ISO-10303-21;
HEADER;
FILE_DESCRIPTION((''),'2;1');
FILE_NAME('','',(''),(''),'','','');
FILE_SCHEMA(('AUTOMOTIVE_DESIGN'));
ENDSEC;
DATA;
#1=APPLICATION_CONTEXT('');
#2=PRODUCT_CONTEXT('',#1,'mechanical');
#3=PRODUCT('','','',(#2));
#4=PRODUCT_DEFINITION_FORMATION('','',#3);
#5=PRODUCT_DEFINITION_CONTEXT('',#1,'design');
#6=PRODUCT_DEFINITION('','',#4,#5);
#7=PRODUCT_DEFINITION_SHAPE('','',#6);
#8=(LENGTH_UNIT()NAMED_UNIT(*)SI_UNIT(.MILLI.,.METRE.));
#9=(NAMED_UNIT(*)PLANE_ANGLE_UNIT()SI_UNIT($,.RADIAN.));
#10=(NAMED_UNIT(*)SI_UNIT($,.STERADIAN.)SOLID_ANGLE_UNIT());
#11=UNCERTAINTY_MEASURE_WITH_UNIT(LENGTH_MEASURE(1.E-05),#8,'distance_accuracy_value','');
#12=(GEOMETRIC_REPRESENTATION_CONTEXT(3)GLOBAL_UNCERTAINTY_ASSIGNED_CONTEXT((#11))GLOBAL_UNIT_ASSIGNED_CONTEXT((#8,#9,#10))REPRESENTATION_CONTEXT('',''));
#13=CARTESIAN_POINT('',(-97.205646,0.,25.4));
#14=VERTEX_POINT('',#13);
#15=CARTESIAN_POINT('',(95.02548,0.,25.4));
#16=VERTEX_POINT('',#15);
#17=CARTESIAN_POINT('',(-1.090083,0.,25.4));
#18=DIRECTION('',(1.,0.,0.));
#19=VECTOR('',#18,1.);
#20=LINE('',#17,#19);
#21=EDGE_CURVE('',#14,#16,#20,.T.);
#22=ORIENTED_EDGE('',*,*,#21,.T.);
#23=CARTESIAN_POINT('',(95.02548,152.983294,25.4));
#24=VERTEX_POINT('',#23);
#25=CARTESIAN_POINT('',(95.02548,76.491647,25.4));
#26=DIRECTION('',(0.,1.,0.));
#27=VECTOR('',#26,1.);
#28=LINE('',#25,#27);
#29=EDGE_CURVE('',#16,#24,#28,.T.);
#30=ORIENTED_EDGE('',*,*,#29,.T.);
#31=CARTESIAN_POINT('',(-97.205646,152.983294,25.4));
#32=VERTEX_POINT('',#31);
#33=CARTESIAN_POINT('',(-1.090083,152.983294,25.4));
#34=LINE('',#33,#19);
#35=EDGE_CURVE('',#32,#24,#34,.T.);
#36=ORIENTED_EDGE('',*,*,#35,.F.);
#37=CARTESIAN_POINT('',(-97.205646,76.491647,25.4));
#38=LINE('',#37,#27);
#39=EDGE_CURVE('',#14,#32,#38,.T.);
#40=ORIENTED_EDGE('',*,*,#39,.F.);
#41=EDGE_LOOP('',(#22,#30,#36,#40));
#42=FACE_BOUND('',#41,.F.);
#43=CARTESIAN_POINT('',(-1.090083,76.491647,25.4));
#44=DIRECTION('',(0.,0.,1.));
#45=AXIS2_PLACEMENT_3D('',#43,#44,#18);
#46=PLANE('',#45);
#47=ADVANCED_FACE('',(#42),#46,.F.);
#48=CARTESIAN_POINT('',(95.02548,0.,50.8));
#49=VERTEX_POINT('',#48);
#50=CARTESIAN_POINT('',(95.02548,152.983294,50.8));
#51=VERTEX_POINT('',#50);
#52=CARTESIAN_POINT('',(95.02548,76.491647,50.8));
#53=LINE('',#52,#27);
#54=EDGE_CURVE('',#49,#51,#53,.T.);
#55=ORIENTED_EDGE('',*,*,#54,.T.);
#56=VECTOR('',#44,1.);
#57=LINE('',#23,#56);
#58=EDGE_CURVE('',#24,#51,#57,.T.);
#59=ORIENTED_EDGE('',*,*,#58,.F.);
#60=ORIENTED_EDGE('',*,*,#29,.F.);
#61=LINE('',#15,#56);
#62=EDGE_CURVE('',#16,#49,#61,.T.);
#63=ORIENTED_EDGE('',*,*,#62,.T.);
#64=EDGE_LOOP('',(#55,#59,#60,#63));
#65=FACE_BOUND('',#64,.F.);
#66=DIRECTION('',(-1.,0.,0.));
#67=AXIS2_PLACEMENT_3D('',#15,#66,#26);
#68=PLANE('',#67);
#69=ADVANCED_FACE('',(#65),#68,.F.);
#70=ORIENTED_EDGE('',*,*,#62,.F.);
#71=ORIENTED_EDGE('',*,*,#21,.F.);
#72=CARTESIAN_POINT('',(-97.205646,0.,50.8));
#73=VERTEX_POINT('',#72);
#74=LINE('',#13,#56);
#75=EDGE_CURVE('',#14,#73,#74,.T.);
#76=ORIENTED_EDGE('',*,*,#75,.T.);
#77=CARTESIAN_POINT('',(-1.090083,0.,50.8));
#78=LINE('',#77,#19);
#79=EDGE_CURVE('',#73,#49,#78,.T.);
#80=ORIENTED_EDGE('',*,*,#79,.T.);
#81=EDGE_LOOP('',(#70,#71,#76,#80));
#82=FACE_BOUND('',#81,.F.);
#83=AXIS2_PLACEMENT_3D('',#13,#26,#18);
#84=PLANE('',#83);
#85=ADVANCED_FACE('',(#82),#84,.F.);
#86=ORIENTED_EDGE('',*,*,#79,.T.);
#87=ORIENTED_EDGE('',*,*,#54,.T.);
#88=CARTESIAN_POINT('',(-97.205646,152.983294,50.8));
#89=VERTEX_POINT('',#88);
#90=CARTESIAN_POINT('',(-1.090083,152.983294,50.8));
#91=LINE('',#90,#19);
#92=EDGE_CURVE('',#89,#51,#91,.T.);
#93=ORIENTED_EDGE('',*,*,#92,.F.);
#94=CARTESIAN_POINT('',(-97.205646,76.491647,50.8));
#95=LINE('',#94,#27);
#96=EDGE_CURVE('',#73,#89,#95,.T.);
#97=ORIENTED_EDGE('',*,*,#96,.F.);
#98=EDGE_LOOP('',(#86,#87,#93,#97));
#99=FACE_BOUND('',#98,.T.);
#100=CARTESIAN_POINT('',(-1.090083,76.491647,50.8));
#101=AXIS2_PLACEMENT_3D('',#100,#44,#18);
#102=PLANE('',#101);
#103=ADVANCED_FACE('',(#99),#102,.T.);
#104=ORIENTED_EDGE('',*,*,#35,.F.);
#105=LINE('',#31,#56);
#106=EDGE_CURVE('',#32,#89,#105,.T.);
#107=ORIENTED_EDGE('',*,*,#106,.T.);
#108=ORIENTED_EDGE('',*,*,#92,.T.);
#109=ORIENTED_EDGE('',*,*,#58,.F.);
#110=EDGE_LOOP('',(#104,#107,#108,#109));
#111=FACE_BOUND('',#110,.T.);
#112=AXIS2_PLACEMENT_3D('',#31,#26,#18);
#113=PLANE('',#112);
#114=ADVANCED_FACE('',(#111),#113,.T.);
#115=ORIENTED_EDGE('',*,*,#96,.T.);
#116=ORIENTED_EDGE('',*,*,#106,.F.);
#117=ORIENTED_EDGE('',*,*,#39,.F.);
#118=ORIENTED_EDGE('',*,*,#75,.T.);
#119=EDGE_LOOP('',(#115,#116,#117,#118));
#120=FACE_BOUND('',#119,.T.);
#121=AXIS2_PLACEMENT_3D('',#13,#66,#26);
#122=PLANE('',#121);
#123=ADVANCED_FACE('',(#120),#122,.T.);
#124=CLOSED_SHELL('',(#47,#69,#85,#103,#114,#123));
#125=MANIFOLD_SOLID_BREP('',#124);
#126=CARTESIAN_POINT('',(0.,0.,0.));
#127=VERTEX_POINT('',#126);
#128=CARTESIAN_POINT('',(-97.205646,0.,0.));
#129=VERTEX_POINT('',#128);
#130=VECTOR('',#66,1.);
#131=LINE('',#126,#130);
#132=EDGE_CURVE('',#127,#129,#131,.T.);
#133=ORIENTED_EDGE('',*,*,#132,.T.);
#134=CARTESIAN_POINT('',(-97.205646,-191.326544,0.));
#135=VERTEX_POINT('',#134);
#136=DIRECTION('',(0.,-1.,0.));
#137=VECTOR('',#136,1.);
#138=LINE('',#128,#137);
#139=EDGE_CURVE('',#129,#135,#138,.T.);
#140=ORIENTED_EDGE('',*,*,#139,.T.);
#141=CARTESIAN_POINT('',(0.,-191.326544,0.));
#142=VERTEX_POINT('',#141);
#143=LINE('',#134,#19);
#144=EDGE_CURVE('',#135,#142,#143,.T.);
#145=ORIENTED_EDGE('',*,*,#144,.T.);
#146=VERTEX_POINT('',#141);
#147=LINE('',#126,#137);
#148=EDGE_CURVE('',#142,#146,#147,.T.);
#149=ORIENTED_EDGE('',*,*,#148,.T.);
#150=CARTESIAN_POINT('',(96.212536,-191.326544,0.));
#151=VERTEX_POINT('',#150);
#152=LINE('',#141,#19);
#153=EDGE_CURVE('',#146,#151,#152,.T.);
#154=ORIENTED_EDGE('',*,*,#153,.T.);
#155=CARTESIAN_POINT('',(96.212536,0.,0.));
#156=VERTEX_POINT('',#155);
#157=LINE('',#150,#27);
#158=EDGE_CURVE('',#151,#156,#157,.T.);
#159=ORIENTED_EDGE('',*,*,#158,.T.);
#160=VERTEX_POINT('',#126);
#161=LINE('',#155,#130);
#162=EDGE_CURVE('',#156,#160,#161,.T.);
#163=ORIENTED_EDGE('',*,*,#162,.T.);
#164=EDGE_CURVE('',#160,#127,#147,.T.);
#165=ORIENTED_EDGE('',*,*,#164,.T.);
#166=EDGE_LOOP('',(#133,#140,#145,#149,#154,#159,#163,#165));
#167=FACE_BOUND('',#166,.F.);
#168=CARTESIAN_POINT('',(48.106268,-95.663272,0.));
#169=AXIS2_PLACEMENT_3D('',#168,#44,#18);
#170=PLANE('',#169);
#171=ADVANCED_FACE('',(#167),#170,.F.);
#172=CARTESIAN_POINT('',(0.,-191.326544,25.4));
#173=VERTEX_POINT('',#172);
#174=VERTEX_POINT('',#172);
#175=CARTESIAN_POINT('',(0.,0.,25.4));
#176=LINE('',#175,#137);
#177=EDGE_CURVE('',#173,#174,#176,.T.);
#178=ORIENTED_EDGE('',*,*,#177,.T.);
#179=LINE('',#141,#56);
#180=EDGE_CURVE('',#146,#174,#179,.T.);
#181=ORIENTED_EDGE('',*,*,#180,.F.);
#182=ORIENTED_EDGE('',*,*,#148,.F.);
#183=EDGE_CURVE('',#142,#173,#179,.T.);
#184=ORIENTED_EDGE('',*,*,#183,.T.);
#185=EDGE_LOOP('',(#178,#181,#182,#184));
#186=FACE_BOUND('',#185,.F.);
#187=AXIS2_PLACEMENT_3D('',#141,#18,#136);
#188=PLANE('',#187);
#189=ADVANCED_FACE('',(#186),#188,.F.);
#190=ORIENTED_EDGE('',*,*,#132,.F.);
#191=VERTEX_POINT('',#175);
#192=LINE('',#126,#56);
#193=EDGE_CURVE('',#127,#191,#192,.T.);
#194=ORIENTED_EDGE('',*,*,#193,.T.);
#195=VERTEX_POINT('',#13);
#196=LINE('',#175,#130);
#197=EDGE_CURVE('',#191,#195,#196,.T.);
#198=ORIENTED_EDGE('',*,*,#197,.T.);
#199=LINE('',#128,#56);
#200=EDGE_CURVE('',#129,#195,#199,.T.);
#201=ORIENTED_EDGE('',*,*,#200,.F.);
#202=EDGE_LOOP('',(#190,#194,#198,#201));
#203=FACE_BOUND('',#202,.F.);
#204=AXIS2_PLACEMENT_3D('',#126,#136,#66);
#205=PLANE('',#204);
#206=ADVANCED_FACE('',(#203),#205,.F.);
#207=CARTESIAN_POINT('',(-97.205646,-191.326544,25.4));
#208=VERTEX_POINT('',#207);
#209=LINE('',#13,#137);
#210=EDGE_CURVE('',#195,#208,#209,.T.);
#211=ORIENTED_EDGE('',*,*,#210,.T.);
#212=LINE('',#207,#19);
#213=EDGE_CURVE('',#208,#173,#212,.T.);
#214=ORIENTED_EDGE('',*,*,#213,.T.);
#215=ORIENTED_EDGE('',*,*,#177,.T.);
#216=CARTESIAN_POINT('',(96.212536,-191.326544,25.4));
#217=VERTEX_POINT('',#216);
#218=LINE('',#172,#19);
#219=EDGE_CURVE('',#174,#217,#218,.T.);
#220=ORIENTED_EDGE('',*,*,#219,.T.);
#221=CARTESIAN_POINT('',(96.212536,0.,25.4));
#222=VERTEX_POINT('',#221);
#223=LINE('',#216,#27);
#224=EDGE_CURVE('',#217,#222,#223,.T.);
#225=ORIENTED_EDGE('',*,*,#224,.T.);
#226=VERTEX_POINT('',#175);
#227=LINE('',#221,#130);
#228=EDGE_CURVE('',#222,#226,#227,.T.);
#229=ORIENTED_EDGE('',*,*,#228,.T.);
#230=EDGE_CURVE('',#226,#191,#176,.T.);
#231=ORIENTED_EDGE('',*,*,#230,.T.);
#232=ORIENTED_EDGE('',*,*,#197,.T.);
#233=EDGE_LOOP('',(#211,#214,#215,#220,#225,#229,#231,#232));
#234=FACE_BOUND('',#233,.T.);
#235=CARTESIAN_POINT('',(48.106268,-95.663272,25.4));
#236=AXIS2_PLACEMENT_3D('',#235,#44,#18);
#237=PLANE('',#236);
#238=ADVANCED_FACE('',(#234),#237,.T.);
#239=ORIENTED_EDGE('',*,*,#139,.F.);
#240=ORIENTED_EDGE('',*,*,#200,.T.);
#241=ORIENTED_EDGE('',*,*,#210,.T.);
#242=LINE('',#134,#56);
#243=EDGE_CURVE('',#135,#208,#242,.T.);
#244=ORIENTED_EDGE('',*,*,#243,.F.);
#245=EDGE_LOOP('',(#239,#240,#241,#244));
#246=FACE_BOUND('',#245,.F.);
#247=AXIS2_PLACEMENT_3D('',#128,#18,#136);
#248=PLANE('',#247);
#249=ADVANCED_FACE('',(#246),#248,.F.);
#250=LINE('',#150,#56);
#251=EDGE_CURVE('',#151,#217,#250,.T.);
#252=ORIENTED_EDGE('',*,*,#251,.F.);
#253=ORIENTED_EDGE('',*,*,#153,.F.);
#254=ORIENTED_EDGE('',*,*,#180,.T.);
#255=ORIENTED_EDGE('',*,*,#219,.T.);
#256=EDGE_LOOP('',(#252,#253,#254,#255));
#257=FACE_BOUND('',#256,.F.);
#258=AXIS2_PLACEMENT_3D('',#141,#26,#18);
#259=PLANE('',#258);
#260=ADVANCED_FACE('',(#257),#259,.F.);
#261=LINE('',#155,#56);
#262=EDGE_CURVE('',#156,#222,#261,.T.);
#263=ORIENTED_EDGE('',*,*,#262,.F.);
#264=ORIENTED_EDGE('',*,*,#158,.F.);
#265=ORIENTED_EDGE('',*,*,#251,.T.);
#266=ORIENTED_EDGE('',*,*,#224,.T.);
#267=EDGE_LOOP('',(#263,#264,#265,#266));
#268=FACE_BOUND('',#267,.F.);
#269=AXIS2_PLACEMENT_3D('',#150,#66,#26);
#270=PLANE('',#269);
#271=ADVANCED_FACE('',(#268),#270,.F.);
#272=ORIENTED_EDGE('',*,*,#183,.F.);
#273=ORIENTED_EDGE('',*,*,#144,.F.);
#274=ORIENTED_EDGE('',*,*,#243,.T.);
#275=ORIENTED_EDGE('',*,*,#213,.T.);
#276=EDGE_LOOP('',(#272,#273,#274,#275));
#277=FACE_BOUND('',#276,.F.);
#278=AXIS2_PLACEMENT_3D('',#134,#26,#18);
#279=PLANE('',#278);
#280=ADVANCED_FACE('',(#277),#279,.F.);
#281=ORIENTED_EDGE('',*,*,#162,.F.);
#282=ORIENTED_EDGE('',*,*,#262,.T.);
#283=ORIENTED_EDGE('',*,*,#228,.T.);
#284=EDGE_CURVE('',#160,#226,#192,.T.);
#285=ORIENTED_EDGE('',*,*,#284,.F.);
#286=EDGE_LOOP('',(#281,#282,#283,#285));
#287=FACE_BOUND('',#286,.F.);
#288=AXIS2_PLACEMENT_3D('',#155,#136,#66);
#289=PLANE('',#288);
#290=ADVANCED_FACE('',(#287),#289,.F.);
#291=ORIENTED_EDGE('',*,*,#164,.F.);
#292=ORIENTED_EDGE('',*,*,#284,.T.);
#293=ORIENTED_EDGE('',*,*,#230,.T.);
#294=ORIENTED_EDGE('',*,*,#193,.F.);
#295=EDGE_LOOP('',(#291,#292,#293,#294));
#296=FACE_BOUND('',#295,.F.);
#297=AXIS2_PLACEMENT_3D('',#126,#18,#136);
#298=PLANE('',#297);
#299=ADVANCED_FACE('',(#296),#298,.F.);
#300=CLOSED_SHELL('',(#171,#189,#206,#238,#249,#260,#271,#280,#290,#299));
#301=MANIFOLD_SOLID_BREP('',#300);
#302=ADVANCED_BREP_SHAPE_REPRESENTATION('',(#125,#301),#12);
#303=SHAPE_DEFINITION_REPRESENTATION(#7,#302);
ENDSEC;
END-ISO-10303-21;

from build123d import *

# Parameters (mm, degrees)
F0_W     = 41.454334
F0_H     = 97.923957
F0_H_2   = 93.402587
F0_W_2   = 55.751312
F1_DEPTH = 25.4
F2_W     = 192.231126
F2_H     = 152.983293
F3_DEPTH = 25.4


with BuildPart() as f1:
    # F0 (on Top) → F1 (new body)
    with BuildSketch(Plane.XY):
        Polygon((48.106268, 0), (0, 0), (0, -97.923957), (0, -191.326544), (96.212536, -191.326544), (96.212536, 0), align=None)
        with Locations((-20.727167, -48.961979)):
            Rectangle(F0_W, F0_H)
        with Locations((-20.727167, -144.62525)):
            Rectangle(F0_W, F0_H_2)
        with Locations((-69.32999, -48.961979)):
            Rectangle(F0_W_2, F0_H)
        with Locations((-69.32999, -144.62525)):
            Rectangle(F0_W_2, F0_H_2)
    extrude(amount=F1_DEPTH)


with BuildPart() as f3:
    # F2 (on face) → F3 (new body)
    with BuildSketch(Plane.XY.offset(25.4)):
        with Locations((-1.090083, 76.491647)):
            Rectangle(F2_W, F2_H)
    extrude(amount=F3_DEPTH)


solid = Compound([f1.part, f3.part])
